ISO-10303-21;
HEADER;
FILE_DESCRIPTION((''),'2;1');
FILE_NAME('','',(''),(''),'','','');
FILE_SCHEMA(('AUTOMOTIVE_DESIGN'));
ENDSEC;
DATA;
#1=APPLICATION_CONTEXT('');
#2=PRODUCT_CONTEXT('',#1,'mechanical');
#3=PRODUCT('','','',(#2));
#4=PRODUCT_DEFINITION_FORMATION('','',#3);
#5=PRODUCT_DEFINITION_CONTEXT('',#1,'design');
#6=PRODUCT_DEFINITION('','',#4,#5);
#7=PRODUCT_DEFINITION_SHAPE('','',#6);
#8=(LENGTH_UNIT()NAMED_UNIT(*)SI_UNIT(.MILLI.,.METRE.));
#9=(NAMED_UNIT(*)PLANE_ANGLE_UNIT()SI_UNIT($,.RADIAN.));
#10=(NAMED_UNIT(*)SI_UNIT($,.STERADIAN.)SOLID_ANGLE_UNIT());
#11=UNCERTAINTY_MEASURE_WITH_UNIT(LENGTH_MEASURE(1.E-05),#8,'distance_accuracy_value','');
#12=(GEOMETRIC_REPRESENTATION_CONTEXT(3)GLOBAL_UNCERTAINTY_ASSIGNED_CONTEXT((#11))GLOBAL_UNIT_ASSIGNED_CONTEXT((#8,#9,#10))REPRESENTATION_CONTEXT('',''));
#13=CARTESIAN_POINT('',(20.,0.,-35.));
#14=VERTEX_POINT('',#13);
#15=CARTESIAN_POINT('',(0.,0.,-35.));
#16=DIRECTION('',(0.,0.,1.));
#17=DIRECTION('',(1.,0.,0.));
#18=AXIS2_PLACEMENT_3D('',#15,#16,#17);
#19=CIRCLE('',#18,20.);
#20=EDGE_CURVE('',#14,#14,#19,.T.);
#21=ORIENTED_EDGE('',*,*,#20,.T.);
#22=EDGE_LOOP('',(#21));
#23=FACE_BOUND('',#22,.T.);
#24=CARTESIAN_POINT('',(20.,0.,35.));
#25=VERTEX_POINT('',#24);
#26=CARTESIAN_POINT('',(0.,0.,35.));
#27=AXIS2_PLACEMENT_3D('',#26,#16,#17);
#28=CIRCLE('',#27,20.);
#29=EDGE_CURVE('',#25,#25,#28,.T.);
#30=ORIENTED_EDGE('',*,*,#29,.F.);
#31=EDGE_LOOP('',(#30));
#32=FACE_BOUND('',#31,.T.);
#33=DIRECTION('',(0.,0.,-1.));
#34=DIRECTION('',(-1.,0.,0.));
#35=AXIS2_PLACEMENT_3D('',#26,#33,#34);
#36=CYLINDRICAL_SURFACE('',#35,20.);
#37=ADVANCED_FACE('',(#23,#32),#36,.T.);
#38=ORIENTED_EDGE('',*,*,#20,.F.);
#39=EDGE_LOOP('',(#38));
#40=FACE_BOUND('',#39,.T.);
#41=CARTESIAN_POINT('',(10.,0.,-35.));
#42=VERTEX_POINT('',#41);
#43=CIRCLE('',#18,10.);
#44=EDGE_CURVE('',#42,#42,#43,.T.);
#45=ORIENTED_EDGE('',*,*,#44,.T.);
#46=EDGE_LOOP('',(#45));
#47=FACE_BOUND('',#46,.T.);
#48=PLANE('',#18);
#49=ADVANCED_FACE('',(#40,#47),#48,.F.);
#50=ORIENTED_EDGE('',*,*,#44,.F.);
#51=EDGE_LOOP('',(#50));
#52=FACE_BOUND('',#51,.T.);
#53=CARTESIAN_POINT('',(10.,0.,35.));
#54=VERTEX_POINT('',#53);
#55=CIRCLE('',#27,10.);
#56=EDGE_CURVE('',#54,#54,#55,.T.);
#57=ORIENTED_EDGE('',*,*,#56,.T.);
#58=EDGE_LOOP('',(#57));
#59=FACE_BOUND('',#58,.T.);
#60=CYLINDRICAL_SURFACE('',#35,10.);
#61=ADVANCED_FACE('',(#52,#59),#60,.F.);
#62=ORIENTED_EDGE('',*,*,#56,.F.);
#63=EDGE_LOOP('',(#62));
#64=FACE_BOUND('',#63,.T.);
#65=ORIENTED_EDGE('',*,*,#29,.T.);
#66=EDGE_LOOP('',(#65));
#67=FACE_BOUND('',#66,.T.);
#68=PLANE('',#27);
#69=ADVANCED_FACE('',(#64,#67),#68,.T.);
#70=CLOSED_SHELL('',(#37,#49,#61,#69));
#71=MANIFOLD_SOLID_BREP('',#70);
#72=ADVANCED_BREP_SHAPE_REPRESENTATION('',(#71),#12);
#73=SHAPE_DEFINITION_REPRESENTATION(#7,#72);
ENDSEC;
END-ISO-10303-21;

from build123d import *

# Parameters (mm, degrees)
ESQUISSE1_R        = 20
ESQUISSE1_R_2      = 10
BOSS_EXTRU_1_DEPTH = 35


with BuildPart() as part:
    # Esquisse1 → Boss.-Extru.1 (new body, symmetric)
    with BuildSketch(Plane.XY):
        Circle(ESQUISSE1_R)
        Circle(ESQUISSE1_R_2, mode=Mode.SUBTRACT)
    extrude(amount=BOSS_EXTRU_1_DEPTH, both=True)


solid = part.part
